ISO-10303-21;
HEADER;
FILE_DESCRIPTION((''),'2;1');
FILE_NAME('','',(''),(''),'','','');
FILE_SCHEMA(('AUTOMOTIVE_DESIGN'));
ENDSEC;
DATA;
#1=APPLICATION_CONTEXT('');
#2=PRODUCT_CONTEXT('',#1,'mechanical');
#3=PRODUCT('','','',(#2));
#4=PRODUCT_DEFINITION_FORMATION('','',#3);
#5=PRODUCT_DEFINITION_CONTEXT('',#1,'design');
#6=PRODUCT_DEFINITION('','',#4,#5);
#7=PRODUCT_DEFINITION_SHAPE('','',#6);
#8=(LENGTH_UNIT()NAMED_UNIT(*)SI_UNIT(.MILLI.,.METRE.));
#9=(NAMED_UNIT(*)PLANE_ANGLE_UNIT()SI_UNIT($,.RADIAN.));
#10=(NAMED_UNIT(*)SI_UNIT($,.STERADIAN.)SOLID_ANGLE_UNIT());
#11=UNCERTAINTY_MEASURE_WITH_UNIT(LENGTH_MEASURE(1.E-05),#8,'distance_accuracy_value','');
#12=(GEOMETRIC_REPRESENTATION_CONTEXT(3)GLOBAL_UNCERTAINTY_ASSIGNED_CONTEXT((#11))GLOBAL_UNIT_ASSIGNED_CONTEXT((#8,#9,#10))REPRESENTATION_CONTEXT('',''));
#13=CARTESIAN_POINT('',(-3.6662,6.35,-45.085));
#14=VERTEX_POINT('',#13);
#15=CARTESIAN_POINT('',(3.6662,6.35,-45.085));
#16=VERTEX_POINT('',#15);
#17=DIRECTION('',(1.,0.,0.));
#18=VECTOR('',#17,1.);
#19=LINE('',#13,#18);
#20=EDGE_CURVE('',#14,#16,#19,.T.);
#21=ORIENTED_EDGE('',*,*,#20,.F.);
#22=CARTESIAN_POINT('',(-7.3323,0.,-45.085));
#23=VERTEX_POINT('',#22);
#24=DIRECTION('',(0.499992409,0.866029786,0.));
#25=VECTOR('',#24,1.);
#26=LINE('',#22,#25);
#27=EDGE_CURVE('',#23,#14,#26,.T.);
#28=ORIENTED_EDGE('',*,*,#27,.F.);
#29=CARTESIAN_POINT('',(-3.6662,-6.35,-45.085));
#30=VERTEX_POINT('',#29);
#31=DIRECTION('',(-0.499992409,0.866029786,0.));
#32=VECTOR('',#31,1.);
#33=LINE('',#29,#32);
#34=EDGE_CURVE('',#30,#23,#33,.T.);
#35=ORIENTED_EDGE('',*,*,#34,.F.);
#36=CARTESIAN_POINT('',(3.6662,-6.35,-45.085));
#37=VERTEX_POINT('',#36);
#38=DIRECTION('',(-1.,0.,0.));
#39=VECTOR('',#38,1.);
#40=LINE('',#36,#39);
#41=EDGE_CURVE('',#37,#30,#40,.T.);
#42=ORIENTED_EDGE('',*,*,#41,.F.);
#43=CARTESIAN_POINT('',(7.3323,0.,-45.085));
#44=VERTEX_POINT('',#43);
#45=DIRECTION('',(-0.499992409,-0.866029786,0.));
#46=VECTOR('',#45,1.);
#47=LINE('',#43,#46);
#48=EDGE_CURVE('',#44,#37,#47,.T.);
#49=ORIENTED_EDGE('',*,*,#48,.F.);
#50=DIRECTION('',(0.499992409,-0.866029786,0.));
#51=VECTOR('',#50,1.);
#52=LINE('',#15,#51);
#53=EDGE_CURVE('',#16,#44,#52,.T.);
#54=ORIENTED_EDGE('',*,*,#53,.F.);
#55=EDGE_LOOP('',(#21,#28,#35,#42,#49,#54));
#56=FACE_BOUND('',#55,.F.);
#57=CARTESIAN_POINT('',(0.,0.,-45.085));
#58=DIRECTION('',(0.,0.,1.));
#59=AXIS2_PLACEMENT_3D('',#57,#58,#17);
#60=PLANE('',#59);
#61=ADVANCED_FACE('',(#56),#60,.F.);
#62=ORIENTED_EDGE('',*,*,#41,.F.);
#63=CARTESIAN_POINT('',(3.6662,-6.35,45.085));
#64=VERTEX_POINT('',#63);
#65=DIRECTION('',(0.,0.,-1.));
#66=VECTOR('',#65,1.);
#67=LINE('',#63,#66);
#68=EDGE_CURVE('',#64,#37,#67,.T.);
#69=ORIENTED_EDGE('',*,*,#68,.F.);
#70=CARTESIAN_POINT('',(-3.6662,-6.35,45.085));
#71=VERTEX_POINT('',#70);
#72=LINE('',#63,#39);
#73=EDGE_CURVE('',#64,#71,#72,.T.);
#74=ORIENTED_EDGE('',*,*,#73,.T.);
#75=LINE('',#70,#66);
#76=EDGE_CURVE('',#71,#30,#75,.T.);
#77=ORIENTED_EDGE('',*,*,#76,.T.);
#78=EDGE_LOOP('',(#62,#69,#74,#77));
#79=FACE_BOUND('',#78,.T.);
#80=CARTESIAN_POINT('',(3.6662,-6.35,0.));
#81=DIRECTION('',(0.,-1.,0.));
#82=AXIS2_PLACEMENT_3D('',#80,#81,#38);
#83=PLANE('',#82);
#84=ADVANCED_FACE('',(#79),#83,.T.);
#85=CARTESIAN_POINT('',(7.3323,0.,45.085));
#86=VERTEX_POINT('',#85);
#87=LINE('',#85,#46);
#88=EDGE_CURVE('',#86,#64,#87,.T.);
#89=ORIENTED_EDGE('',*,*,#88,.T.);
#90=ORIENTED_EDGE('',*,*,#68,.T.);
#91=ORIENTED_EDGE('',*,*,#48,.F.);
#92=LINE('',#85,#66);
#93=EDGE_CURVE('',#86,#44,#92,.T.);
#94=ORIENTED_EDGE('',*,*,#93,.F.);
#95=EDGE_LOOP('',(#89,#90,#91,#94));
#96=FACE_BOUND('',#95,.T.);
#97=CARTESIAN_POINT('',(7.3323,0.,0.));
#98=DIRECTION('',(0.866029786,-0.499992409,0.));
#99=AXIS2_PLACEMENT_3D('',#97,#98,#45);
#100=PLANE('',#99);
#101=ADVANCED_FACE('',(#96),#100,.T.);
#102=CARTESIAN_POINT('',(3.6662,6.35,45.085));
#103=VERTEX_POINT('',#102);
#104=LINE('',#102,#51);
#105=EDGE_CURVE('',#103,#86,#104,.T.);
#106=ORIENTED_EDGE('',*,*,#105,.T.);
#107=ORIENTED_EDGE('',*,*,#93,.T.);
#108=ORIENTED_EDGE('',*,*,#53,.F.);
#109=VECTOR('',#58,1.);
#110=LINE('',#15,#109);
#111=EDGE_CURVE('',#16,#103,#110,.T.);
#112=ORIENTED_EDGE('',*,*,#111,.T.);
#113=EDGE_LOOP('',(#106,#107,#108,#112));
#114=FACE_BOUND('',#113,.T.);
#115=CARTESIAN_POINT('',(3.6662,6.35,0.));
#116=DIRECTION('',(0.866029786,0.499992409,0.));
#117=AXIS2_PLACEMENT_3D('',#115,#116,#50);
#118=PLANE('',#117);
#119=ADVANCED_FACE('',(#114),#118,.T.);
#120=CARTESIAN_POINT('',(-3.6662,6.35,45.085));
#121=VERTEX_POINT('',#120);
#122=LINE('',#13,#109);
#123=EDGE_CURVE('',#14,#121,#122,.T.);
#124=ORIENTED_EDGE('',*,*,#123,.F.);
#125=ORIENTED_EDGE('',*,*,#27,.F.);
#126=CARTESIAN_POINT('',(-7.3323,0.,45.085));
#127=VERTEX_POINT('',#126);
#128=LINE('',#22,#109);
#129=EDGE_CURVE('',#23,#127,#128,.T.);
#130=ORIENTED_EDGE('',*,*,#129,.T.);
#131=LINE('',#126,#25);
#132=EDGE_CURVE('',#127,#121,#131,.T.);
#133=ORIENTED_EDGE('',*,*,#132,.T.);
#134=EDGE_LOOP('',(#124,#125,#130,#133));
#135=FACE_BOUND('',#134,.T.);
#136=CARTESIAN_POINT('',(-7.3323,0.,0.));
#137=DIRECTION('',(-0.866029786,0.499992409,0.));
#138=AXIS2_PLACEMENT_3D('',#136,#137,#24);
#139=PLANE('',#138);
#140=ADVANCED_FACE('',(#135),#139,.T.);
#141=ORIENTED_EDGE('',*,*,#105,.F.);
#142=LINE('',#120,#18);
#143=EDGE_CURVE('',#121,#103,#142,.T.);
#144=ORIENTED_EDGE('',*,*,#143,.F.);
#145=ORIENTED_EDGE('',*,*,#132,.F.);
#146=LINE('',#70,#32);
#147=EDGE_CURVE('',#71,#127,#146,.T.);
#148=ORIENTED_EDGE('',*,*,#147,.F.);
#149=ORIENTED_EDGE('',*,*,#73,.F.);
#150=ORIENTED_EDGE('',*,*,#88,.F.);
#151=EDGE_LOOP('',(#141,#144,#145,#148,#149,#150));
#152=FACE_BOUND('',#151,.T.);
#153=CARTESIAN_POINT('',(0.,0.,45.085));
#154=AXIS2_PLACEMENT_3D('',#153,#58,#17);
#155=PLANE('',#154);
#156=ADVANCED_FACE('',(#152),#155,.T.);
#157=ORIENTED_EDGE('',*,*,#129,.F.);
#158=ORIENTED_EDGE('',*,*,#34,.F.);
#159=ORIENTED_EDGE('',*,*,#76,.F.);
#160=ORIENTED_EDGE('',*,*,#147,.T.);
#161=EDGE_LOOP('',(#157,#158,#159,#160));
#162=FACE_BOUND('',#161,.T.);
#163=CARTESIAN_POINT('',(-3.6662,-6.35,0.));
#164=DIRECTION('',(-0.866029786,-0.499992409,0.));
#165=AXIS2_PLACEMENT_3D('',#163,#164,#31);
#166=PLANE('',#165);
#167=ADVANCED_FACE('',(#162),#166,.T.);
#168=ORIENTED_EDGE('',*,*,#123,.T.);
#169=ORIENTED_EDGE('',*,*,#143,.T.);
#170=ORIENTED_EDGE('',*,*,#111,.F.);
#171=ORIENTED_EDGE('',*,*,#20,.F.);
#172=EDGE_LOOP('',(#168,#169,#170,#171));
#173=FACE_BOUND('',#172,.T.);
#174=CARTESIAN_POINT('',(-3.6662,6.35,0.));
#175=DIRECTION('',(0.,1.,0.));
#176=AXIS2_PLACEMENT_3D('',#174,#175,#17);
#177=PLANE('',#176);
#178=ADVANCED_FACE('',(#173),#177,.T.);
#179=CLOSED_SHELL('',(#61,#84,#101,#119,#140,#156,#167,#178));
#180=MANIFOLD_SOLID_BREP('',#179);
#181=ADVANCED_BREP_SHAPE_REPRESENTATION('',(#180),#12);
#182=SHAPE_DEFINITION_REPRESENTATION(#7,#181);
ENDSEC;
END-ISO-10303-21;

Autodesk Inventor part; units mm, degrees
ref_plane "YZ Plane" through (0, 0, 0) normal (1, 0, 0) x (0, 1, 0)
ref_plane "XZ Plane" through (0, 0, 0) normal (0, 1, 0) x (-1, 0, 0)
ref_plane "XY Plane" through (0, 0, 0) normal (0, 0, 1) x (1, 0, 0)
sketch "Sketch2" plane through (0, 0, 0) normal (0, 0, 1) x (1, 0, 0)
  line L0 (3.6662, 6.35) -> (7.3323, 0)
  line L1 (7.3323, 0) -> (3.6662, -6.35)
  line L2 (3.6662, -6.35) -> (-3.6662, -6.35)
  line L3 (-3.6662, -6.35) -> (-7.3323, 0)
  line L4 (-7.3323, 0) -> (-3.6662, 6.35)
  line L5 (-3.6662, 6.35) -> (3.6662, 6.35)
  point P0 (0, 0)
  point P1 (0, 0)
  dimension "d0" = 12.7
extrude "Extrusion1" add sketch "Sketch2" along normal mid plane 90.17
properties part number "SHAFT,HEX,0.5,WHEELS,ARM" material "Aluminum 6061"
